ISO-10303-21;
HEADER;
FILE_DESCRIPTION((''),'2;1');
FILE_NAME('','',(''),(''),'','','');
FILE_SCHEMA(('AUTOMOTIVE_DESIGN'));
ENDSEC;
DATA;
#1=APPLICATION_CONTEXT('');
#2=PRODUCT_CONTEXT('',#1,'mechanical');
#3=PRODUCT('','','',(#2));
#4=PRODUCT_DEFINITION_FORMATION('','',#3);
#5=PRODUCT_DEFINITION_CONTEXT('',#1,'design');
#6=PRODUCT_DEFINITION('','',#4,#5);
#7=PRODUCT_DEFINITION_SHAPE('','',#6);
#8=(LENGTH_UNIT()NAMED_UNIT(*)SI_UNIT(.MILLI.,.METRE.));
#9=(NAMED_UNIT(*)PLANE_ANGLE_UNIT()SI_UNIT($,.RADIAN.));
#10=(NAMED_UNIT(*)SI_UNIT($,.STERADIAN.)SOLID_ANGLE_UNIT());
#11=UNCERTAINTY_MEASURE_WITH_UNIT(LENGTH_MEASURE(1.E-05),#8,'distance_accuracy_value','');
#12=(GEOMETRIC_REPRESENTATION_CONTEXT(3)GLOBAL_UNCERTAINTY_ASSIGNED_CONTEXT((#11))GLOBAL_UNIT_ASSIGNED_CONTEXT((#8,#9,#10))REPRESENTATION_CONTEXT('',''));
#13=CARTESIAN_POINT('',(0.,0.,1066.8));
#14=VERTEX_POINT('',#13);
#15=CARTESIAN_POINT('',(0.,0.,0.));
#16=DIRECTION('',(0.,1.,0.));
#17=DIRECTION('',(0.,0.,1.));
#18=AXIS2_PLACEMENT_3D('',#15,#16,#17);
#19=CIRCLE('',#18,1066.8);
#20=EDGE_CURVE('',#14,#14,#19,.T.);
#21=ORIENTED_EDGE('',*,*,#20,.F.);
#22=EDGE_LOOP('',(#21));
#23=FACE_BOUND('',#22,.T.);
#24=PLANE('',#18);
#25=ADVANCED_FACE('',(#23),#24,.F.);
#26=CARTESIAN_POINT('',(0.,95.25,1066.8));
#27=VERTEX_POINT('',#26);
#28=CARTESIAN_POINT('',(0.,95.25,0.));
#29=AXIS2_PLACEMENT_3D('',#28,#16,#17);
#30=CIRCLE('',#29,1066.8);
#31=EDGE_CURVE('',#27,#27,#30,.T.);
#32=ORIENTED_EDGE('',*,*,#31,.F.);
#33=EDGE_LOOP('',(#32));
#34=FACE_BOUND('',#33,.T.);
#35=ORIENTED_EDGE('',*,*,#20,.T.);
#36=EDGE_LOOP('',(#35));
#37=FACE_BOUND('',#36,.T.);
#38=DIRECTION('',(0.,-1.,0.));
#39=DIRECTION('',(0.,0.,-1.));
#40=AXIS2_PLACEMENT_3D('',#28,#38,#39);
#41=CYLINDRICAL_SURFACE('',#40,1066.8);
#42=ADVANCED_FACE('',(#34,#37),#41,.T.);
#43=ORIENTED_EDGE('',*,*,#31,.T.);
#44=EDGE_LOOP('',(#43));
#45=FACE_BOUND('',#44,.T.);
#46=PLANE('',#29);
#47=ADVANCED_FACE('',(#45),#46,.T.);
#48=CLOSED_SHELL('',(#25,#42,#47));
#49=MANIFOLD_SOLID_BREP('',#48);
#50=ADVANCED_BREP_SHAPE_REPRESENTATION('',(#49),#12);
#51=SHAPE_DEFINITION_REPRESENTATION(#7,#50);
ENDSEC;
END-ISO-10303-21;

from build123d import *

# Parameters (mm, degrees)
SKETCH1_R           = 1066.8
BOSS_EXTRUDE1_DEPTH = 95.25


with BuildPart() as part:
    # Sketch1 → Boss-Extrude1 (new body)
    with BuildSketch(Plane(origin=(0, 0, 0), x_dir=(1, 0, 0), z_dir=(0, 1, 0))):
        with Locations(Location((0, 0, 0), (0, 0, 270))):
            Circle(SKETCH1_R)
    extrude(amount=BOSS_EXTRUDE1_DEPTH)


solid = part.part
